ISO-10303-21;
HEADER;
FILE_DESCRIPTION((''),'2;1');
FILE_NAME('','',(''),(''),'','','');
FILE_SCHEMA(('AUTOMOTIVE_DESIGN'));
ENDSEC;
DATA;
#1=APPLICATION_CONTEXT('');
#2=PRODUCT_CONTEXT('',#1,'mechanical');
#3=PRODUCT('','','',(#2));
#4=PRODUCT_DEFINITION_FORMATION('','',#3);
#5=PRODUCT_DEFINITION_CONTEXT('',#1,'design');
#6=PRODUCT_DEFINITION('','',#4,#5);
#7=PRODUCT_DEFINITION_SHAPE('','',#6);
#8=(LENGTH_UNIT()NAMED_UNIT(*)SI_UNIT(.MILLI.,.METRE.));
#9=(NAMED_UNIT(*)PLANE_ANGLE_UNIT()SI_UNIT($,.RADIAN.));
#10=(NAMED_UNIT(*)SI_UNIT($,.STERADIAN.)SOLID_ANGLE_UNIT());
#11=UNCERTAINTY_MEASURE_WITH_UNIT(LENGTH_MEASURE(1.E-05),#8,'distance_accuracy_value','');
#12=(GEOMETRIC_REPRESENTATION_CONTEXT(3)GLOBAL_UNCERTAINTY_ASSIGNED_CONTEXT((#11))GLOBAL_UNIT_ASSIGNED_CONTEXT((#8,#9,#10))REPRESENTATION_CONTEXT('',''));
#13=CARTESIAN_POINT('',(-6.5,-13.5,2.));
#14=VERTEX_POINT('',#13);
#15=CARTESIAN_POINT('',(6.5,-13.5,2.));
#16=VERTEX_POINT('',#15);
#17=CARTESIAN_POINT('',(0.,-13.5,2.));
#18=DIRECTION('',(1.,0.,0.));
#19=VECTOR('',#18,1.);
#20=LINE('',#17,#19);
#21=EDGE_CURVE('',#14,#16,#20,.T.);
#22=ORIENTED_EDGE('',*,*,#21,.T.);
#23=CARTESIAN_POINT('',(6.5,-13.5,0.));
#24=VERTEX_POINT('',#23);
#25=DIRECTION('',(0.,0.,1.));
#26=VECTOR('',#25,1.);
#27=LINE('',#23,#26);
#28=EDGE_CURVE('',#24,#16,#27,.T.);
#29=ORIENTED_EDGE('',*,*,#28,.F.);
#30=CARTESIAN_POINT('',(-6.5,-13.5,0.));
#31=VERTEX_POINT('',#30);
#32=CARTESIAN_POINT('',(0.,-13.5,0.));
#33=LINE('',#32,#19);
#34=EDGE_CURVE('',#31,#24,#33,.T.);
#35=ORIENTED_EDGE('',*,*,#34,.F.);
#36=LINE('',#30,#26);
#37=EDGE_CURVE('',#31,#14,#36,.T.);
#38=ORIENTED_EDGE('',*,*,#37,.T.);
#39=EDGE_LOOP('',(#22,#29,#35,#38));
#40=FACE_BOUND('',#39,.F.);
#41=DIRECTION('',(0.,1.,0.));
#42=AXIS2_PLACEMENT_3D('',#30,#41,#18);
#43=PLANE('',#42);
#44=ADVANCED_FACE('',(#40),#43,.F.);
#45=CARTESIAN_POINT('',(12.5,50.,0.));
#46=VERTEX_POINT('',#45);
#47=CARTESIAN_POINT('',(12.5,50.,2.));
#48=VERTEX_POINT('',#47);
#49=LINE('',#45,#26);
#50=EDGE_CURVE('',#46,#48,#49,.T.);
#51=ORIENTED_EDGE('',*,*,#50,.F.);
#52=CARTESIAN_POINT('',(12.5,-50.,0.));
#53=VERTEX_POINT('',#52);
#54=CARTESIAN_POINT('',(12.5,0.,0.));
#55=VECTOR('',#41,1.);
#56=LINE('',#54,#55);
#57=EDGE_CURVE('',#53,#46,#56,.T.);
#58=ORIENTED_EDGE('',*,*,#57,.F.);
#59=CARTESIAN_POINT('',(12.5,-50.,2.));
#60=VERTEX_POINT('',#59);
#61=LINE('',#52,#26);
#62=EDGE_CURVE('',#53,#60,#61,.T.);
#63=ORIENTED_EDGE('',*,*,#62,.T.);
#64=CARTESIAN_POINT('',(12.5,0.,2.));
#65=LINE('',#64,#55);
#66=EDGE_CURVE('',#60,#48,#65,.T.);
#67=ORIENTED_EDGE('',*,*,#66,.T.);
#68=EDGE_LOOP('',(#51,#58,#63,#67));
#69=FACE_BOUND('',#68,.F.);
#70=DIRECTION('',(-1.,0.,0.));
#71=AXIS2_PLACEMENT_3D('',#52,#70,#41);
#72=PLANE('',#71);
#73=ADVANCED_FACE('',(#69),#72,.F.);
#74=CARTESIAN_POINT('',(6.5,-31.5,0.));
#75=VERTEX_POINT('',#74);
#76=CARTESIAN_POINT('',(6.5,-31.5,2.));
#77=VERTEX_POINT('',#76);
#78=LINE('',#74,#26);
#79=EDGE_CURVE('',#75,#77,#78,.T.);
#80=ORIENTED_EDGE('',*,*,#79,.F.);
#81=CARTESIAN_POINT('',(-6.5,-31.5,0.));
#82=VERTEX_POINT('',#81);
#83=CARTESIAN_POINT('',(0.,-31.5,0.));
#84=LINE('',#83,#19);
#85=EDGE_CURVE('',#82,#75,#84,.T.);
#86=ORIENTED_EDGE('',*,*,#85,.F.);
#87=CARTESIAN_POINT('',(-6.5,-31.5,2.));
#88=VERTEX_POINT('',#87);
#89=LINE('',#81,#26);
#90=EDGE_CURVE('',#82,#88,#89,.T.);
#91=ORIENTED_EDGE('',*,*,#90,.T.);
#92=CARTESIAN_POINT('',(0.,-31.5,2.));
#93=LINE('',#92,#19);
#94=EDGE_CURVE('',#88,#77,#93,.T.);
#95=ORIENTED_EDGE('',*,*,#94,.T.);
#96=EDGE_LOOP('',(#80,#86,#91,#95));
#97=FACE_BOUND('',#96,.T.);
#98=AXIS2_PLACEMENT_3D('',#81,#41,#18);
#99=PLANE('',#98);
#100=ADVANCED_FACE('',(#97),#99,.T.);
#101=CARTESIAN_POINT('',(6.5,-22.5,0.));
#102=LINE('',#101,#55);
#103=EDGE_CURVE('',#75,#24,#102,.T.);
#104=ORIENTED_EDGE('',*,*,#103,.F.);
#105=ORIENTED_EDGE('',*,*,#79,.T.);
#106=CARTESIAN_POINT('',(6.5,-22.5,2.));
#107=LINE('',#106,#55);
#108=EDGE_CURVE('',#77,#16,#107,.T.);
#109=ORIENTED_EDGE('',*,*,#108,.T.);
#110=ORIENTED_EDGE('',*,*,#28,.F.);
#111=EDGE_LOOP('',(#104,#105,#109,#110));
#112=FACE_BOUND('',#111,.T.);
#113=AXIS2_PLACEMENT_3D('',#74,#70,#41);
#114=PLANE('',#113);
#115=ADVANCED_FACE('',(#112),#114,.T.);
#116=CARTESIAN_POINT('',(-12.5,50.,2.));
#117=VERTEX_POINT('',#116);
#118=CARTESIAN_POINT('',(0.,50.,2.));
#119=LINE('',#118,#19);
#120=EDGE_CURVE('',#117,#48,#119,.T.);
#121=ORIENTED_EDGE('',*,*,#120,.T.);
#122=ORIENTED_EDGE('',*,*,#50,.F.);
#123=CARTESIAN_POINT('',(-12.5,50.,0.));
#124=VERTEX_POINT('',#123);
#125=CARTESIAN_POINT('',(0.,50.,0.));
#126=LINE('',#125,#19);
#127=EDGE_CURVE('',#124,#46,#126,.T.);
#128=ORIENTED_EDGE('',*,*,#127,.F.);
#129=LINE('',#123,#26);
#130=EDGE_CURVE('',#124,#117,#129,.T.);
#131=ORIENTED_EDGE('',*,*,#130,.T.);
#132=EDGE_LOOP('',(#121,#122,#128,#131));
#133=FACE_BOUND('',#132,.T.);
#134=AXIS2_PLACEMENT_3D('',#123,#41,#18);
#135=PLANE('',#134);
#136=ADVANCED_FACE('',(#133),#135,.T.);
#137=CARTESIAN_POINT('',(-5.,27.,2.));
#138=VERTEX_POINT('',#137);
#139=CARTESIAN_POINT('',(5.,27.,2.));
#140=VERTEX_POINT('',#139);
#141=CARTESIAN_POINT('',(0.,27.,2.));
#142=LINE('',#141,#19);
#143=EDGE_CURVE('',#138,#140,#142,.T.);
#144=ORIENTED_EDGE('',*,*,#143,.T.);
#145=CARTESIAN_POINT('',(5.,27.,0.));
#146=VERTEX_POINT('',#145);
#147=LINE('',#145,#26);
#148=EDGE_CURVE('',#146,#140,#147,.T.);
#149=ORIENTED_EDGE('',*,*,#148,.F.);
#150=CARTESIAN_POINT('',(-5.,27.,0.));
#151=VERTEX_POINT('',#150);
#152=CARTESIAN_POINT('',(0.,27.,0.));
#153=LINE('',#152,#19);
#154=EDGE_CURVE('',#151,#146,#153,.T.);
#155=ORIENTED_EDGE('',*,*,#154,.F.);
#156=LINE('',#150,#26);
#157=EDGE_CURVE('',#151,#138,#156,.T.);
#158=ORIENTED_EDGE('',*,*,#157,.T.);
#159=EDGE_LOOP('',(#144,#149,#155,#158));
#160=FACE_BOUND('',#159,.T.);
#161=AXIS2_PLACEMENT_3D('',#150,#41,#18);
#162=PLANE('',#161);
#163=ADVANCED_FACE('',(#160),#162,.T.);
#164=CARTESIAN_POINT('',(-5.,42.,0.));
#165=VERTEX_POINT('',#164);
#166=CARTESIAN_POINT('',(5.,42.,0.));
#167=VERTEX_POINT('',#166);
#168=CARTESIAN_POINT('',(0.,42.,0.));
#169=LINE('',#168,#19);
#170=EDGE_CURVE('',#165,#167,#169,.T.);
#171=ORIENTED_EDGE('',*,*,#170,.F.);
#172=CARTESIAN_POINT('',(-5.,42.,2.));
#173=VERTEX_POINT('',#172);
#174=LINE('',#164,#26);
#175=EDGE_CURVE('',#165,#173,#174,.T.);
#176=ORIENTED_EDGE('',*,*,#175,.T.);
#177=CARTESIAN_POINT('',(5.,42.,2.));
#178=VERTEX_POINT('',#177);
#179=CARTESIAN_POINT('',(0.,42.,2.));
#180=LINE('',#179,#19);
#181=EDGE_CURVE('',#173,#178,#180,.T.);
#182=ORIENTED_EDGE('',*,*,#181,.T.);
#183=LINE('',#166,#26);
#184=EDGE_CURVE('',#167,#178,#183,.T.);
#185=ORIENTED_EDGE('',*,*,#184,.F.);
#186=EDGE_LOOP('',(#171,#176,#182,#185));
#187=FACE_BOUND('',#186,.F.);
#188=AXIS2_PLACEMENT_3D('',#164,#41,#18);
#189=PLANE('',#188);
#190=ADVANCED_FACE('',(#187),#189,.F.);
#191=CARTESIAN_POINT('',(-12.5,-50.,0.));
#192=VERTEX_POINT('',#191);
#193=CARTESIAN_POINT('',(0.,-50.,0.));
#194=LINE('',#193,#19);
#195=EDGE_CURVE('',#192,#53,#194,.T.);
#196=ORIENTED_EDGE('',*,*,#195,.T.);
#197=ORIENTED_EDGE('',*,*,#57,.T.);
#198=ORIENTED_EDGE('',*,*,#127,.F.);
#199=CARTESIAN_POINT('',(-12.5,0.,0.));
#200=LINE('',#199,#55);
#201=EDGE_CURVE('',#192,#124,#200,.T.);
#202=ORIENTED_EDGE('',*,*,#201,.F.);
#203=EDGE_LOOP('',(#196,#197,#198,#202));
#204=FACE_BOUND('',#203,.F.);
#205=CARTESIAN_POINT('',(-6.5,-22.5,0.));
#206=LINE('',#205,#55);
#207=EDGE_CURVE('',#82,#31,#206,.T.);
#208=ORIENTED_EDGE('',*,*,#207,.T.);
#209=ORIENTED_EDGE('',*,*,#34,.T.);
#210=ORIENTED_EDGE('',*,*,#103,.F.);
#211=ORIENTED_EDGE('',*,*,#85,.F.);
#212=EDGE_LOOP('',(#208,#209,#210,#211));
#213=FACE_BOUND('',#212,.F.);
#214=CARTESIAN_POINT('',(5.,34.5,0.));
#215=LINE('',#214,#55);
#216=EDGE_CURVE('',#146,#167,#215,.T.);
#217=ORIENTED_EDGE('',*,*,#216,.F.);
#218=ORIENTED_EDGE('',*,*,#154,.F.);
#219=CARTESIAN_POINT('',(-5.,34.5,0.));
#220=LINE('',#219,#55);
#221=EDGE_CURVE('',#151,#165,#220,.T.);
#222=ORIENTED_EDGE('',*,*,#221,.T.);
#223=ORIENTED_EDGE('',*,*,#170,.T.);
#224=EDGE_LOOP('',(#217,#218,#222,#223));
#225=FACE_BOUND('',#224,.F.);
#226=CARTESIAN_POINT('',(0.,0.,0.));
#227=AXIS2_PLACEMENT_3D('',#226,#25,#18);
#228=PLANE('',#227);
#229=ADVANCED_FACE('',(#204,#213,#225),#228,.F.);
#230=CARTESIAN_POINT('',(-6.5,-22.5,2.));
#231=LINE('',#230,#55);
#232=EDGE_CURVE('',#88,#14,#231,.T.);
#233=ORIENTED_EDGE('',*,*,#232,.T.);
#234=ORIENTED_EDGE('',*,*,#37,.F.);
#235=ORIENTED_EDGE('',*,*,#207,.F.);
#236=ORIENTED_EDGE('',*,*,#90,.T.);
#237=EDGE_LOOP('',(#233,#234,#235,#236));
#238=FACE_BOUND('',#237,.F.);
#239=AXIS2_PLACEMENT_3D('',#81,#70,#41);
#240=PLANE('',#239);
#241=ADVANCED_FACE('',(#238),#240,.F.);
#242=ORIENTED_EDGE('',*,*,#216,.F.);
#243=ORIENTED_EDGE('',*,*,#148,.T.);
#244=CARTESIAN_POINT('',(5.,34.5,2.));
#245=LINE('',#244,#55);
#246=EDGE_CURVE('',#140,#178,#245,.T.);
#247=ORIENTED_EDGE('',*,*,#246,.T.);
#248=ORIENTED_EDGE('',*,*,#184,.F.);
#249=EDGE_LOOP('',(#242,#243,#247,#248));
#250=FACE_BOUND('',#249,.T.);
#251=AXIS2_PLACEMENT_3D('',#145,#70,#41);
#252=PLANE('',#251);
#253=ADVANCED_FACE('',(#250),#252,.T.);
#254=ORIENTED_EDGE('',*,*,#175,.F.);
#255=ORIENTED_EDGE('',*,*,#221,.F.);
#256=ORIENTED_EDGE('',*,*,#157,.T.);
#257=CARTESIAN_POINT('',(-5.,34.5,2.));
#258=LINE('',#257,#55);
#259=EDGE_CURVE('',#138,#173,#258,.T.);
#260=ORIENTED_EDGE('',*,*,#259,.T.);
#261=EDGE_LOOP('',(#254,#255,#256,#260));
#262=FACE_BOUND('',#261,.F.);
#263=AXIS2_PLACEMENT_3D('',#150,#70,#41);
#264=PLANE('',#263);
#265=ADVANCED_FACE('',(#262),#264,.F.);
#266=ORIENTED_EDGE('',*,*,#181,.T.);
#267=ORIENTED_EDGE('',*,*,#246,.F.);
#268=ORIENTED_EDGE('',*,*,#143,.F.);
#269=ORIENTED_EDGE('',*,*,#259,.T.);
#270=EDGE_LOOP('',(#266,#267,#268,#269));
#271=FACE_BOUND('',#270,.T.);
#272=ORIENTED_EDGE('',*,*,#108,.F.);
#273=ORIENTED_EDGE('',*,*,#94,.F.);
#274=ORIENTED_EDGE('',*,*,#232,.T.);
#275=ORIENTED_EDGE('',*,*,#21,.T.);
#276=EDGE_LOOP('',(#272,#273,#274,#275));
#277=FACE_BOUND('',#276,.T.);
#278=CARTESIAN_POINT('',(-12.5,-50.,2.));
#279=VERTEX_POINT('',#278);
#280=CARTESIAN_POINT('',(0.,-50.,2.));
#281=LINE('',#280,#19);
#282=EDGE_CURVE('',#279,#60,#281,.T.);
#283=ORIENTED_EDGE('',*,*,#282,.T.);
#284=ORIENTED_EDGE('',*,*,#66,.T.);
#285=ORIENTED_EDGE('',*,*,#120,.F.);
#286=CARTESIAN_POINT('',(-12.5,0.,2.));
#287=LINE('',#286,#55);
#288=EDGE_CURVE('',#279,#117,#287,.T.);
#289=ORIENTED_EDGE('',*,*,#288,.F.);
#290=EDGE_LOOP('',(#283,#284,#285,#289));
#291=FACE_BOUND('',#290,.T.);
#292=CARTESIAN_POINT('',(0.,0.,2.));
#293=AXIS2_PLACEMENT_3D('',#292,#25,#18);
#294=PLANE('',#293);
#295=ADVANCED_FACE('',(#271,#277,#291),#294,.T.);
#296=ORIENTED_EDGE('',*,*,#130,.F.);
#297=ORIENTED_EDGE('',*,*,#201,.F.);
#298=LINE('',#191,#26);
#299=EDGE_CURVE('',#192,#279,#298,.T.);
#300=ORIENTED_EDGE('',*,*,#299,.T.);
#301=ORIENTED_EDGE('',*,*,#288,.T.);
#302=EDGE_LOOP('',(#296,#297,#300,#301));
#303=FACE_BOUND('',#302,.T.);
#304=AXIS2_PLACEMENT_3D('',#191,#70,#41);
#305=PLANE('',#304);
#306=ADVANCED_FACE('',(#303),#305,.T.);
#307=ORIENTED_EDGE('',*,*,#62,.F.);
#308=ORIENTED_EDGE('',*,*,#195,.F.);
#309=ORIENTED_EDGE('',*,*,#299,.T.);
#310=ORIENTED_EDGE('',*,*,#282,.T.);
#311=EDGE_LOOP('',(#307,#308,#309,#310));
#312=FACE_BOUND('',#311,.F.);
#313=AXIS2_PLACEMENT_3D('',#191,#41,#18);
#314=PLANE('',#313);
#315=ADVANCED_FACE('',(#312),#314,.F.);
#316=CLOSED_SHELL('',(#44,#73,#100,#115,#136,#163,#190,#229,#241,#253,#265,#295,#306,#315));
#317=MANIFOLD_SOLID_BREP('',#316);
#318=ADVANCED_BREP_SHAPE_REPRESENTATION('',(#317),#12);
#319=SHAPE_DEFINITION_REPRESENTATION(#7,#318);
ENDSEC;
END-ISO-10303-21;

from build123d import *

# Parameters (mm, degrees)
F0_W     = 25
F0_H     = 100
F0_W_2   = 13
F0_H_2   = 18
F0_W_3   = 10
F0_H_3   = 15
F1_DEPTH = 2


with BuildPart() as f1:
    # F0 (on Top) → F1 (new body)
    with BuildSketch(Plane.XY):
        Rectangle(F0_W, F0_H)
        with Locations((0, -22.5)):
            Rectangle(F0_W_2, F0_H_2, mode=Mode.SUBTRACT)
        with Locations((0, 34.5)):
            Rectangle(F0_W_3, F0_H_3, mode=Mode.SUBTRACT)
    extrude(amount=F1_DEPTH)


solid = f1.part
